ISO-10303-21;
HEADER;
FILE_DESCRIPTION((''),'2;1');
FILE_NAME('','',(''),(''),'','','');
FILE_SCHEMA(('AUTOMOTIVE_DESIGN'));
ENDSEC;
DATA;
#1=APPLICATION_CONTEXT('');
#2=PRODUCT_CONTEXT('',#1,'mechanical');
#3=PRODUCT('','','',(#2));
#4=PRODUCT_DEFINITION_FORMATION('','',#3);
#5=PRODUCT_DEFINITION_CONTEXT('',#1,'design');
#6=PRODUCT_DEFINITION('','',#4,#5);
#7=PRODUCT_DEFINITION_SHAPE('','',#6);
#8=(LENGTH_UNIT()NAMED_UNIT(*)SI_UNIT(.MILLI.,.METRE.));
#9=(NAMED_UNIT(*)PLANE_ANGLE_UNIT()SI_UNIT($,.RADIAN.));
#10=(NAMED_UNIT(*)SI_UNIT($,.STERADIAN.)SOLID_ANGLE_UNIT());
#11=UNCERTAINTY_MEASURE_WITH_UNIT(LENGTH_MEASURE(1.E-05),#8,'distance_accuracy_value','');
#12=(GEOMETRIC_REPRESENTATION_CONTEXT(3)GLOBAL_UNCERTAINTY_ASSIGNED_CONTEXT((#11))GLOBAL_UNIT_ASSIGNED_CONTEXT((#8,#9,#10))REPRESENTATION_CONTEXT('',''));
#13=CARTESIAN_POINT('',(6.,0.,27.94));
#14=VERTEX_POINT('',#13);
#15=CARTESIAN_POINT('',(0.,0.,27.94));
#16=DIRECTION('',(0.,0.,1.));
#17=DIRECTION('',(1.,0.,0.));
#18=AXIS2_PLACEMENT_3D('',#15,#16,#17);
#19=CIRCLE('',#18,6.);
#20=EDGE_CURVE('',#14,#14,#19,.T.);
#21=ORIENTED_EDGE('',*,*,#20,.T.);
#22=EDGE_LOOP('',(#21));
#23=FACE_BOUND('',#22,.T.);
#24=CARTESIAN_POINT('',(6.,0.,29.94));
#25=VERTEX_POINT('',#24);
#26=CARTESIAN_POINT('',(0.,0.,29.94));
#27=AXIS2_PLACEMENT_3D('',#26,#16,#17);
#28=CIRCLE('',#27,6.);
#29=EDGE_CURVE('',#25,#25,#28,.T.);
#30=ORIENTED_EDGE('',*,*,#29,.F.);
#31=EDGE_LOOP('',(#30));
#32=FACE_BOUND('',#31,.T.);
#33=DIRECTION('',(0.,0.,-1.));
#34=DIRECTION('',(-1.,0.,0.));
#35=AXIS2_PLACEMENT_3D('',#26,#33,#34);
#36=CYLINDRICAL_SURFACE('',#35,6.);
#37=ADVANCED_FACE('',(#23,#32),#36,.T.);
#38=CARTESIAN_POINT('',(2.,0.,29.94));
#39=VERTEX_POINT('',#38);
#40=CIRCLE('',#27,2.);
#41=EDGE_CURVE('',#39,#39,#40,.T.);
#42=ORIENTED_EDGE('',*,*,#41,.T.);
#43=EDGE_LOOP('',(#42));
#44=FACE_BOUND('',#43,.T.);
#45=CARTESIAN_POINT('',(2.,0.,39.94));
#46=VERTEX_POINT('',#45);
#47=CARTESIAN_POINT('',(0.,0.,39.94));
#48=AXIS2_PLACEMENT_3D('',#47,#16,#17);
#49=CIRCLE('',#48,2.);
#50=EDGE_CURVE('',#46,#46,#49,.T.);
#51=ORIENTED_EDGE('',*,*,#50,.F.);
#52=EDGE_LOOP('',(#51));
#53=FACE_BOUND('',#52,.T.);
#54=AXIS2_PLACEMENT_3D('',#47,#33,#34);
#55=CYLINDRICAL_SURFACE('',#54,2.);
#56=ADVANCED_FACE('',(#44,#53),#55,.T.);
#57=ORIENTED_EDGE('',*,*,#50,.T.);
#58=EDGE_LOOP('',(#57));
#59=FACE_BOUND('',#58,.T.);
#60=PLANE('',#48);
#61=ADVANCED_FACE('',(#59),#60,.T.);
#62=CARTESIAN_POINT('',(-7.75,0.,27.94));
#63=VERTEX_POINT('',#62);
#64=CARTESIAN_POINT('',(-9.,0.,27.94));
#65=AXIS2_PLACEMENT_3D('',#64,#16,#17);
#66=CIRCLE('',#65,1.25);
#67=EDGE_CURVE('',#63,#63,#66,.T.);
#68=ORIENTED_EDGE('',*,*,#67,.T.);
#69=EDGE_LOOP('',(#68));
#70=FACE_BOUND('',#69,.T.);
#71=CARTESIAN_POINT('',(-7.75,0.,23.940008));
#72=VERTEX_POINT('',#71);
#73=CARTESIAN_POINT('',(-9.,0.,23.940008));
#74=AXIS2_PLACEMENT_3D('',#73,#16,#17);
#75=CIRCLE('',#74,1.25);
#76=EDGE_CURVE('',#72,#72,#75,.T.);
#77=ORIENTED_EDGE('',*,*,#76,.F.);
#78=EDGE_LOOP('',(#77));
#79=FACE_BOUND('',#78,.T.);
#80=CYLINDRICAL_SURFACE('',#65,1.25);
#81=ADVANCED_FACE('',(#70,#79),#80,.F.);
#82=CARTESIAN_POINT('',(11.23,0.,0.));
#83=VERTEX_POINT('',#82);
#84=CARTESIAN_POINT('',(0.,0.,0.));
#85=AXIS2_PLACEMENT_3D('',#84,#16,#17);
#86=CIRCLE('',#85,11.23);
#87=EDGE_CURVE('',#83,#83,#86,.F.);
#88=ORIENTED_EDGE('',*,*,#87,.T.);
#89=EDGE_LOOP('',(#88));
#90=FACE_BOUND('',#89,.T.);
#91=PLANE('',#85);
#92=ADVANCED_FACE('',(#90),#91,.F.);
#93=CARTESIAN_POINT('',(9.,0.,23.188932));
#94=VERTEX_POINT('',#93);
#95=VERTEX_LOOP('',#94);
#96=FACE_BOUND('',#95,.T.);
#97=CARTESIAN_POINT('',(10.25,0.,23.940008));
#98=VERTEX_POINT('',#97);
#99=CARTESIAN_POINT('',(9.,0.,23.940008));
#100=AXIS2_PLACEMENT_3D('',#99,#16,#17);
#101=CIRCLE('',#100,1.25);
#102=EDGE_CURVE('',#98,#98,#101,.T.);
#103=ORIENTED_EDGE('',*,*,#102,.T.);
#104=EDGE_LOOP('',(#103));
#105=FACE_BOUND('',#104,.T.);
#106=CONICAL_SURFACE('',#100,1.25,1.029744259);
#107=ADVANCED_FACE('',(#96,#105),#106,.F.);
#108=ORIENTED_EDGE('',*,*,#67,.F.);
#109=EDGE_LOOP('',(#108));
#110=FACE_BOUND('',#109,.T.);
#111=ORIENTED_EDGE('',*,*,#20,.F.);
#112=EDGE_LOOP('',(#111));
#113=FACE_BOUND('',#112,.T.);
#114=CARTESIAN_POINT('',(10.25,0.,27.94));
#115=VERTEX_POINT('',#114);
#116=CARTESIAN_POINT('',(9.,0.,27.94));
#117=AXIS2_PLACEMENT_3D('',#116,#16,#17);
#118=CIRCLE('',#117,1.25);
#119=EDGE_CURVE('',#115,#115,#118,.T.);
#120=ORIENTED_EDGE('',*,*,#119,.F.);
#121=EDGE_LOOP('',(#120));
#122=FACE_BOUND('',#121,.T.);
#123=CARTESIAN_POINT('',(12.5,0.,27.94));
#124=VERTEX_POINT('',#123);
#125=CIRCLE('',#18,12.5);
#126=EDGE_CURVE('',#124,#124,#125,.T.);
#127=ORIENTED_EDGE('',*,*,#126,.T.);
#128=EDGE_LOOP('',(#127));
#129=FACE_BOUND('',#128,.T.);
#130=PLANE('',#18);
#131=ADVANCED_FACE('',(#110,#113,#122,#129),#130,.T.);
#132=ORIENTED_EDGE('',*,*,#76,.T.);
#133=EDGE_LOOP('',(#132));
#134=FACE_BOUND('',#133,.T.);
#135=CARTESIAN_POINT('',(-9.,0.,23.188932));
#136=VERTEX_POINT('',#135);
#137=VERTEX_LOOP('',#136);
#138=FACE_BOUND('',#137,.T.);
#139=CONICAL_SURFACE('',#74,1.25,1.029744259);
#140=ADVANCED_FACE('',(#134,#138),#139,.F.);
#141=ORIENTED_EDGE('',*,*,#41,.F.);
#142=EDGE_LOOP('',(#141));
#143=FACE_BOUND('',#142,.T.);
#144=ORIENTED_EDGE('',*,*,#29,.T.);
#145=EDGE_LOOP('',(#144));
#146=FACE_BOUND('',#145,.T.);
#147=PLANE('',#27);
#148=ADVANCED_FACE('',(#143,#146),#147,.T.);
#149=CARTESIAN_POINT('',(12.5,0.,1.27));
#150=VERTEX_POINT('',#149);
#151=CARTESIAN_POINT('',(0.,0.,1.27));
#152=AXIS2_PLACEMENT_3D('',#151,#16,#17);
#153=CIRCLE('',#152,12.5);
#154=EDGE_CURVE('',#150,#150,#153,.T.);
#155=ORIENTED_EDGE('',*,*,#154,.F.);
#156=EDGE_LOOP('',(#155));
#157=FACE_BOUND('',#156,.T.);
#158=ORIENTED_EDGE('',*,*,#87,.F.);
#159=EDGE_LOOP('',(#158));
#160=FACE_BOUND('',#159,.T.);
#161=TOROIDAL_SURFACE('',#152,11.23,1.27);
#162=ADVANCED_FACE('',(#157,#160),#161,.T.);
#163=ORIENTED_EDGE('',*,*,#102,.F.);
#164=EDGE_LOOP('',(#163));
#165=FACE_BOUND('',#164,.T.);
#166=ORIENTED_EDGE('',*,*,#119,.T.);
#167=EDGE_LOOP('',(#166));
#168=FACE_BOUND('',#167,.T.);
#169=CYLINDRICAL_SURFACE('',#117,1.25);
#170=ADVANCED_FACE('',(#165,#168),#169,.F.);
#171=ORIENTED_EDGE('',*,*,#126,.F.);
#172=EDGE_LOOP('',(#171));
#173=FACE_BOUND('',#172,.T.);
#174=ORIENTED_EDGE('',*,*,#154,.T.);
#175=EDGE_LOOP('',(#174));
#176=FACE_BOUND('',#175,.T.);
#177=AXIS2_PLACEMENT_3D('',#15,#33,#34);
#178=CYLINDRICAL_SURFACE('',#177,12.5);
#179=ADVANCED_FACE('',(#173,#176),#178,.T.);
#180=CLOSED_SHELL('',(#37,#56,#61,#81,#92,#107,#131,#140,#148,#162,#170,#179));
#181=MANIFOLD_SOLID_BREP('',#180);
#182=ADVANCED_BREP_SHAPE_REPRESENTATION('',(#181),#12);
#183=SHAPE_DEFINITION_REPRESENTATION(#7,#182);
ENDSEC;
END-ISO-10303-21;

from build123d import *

# Parameters (mm, degrees)
SKETCH1_R                 = 12.5
BOSS_EXTRUDE1_DEPTH       = 27.94
SKETCH2_R                 = 6
BOSS_EXTRUDE2_DEPTH       = 2
SKETCH3_R                 = 2
BOSS_EXTRUDE3_DEPTH       = 10
M3X0_5_TAPPED_HOLE1_D     = 2.5
M3X0_5_TAPPED_HOLE1_DEPTH = 3.999992
M3X0_5_TAPPED_HOLE1_TIP   = 0.751075774
FILLET1_R                 = 1.27


with BuildPart() as part:
    # Sketch1 → Boss-Extrude1 (new body)
    with BuildSketch(Plane.XY):
        Circle(SKETCH1_R)
    extrude(amount=BOSS_EXTRUDE1_DEPTH)

    # Sketch2 → Boss-Extrude2 (add)
    with BuildSketch(Plane.XY.offset(27.94)):
        Circle(SKETCH2_R)
    extrude(amount=BOSS_EXTRUDE2_DEPTH)

    # Sketch3 → Boss-Extrude3 (add)
    with BuildSketch(Plane.XY.offset(29.94)):
        Circle(SKETCH3_R)
    extrude(amount=BOSS_EXTRUDE3_DEPTH)

    # M3x0.5 Tapped Hole1
    with Locations(Plane.XY.offset(27.94)):
        with Locations((-9, 0), (9, 0)):
            Hole(M3X0_5_TAPPED_HOLE1_D / 2, depth=M3X0_5_TAPPED_HOLE1_DEPTH)
            with Locations((0, 0, -(M3X0_5_TAPPED_HOLE1_DEPTH + M3X0_5_TAPPED_HOLE1_TIP / 2))):  # 118° drill point
                Cone(0, M3X0_5_TAPPED_HOLE1_D / 2, M3X0_5_TAPPED_HOLE1_TIP, mode=Mode.SUBTRACT)

    # Fillet1
    fillet1_edges = [part.edges().sort_by_distance(p)[0] for p in [
        (-12.5, 0, 0),
    ]]
    fillet(fillet1_edges, radius=FILLET1_R)


solid = part.part
